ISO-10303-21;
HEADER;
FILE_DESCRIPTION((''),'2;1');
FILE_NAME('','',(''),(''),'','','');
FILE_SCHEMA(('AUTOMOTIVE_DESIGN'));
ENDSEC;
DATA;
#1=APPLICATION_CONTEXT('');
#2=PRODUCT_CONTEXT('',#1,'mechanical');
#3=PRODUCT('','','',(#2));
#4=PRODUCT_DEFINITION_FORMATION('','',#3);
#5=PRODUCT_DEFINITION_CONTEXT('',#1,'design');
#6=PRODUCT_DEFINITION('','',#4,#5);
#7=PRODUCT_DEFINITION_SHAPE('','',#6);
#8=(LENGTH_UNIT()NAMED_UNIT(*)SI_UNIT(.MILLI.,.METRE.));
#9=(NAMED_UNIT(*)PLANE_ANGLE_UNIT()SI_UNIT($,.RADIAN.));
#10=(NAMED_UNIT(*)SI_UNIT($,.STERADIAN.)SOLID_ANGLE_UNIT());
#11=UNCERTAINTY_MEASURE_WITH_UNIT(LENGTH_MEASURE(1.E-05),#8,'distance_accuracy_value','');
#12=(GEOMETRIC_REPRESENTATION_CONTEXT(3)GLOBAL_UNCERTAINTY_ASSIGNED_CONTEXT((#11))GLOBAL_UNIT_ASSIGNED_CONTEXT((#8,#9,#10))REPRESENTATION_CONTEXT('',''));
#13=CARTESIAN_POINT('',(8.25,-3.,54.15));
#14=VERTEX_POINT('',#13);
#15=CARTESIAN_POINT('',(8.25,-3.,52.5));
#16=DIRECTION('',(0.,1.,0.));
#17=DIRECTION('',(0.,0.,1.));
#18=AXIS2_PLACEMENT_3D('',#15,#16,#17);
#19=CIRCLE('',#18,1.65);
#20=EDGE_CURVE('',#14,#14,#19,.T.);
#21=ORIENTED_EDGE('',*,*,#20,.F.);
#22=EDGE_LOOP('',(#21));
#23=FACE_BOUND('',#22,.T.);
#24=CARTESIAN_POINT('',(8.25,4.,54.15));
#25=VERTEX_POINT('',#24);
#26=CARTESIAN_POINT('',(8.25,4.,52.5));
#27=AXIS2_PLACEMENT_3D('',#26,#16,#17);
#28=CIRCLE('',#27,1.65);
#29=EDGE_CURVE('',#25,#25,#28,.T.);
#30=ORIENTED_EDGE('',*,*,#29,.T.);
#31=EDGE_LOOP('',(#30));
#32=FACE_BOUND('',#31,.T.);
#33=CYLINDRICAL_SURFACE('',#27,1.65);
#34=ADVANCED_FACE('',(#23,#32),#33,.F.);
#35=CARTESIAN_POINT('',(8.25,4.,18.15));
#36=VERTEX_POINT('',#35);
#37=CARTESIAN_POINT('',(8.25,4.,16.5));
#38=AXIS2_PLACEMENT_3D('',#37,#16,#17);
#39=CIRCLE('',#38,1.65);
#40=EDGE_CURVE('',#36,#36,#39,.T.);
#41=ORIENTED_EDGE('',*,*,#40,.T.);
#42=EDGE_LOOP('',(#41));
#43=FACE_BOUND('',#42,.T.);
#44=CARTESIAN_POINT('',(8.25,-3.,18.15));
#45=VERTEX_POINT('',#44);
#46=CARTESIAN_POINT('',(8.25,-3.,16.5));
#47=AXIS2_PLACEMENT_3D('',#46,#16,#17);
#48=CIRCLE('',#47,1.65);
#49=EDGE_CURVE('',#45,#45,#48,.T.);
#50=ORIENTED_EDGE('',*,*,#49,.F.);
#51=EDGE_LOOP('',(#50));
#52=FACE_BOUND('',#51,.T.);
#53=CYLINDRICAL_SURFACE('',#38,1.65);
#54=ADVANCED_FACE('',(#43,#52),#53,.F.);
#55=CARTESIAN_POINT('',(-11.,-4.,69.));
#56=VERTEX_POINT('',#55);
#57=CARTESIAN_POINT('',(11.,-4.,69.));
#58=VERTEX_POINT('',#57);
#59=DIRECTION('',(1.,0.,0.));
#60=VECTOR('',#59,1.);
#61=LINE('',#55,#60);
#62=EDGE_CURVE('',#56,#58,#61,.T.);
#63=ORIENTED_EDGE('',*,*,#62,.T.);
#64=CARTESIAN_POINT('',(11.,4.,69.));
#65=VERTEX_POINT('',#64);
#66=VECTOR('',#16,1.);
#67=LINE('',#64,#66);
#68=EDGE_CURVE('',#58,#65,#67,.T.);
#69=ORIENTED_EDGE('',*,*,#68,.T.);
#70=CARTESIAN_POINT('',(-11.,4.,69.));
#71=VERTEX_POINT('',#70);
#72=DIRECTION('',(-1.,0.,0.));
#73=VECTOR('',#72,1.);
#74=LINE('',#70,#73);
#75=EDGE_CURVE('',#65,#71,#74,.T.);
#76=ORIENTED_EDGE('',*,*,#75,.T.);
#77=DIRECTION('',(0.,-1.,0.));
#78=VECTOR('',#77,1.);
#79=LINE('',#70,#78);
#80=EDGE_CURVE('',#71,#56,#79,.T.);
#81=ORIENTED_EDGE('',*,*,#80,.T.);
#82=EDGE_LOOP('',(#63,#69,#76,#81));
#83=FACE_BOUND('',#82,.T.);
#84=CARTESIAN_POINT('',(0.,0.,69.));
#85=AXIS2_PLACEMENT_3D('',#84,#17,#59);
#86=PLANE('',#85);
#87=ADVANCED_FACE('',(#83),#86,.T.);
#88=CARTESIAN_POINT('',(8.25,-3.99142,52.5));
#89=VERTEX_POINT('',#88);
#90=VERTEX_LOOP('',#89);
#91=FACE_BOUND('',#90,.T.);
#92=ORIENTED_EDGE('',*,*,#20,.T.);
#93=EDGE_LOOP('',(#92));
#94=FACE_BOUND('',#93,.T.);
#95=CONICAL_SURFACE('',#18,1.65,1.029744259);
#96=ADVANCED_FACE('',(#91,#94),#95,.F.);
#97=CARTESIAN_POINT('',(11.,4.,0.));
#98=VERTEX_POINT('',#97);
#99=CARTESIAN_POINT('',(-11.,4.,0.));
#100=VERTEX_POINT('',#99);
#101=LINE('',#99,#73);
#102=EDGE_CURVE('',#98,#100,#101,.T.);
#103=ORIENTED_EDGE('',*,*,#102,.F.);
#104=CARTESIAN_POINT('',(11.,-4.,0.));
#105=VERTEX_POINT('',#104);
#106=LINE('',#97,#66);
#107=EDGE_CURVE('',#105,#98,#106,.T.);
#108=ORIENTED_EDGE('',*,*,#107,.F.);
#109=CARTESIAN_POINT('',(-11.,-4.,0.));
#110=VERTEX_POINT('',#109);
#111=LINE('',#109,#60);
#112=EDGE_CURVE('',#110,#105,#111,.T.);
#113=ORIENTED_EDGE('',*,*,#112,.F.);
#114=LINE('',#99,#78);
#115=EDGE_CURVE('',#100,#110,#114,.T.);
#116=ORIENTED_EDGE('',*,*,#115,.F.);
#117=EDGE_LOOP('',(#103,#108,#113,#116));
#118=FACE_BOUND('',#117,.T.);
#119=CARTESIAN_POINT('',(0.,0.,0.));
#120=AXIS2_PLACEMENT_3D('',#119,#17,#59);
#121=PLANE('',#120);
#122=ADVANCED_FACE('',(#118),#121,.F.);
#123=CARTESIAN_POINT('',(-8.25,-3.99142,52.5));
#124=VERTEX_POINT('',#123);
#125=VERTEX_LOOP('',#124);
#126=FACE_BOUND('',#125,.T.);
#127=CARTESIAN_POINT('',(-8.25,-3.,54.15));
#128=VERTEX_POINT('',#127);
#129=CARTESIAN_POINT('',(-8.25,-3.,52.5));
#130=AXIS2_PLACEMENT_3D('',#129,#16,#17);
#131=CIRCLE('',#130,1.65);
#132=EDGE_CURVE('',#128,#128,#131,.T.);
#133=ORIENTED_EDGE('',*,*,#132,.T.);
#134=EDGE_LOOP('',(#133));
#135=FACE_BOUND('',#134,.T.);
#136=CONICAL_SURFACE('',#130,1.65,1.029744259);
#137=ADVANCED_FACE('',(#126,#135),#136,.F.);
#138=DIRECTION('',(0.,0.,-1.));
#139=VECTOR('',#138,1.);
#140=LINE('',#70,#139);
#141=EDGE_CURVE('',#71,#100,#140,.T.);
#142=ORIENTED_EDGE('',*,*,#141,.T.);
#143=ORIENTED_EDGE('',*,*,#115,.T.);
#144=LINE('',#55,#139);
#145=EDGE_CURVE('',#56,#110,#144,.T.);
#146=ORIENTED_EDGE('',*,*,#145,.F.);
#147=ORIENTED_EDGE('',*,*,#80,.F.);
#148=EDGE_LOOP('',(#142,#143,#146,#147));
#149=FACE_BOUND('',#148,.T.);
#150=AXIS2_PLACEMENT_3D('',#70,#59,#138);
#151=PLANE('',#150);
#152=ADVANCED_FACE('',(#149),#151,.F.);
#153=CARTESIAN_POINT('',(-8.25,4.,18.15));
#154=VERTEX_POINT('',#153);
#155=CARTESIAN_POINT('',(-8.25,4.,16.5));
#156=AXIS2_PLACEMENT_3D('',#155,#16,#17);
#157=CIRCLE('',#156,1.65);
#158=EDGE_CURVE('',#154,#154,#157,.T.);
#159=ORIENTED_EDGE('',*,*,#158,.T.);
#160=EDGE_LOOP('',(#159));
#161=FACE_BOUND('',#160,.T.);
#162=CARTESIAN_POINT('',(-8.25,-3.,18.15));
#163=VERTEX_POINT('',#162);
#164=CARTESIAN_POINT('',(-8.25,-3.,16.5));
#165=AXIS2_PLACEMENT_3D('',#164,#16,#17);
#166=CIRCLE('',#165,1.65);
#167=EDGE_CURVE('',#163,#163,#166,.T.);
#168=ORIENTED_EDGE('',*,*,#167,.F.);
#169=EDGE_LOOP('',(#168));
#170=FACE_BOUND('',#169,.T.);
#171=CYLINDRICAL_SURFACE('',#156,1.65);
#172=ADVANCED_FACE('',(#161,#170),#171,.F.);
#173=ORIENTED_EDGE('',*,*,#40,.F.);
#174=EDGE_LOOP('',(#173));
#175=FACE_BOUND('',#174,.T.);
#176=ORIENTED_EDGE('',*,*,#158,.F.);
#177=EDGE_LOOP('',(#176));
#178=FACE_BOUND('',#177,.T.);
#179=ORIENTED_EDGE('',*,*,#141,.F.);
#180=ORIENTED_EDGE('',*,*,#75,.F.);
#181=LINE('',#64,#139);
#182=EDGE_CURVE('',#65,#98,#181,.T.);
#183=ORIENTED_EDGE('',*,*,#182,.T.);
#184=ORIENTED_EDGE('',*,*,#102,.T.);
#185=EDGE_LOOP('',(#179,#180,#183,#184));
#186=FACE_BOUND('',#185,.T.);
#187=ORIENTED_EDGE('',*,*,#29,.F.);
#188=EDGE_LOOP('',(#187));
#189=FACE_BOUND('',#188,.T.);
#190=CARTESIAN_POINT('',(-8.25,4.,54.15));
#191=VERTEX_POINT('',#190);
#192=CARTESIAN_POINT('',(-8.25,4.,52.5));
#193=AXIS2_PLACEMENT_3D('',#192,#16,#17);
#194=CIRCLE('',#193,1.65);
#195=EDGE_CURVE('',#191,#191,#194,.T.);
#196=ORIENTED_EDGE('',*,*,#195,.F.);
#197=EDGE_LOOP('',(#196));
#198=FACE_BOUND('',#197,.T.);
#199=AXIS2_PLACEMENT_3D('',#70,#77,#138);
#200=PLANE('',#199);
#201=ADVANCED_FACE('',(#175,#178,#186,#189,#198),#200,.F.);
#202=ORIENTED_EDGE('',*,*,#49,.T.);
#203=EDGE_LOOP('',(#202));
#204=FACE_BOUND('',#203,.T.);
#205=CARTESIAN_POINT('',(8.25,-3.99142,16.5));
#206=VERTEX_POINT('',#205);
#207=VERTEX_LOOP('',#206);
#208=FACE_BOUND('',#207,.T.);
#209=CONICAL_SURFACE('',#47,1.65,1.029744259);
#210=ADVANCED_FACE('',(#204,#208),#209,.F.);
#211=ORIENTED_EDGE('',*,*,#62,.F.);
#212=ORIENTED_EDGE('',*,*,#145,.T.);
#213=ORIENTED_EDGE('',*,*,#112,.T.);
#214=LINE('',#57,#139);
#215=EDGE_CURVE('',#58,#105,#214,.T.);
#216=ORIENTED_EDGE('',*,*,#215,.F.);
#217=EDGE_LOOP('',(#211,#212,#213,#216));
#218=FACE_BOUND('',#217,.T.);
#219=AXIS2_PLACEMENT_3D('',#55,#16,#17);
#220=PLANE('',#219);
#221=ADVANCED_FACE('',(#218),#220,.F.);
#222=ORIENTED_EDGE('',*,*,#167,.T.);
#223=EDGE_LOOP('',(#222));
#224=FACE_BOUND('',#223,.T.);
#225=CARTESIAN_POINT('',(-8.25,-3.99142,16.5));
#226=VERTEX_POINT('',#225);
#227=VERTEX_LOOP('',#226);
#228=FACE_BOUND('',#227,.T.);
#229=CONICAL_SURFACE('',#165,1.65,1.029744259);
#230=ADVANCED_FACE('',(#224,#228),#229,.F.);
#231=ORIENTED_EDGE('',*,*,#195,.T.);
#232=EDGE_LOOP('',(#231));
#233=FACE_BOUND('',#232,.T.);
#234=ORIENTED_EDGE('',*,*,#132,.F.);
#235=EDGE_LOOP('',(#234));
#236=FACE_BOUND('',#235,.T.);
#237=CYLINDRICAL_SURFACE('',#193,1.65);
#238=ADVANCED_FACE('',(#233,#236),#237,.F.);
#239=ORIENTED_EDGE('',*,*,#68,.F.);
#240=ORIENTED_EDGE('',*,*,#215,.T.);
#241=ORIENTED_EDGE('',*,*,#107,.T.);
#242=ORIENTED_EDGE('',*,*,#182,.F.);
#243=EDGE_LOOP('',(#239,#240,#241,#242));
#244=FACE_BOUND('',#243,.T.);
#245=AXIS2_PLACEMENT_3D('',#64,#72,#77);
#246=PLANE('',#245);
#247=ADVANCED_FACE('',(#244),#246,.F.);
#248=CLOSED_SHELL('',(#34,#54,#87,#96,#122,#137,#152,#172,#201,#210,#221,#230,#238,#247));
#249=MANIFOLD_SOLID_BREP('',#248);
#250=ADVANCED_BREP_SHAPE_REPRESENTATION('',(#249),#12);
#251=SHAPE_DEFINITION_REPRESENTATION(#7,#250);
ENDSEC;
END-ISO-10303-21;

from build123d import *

# Parameters (mm, degrees)
SKETCH_1_W             = 22
SKETCH_1_H             = 8
EXTRUDE_1_DEPTH        = 69
HOLE_WIZARD_M4_1_D     = 3.3
HOLE_WIZARD_M4_1_DEPTH = 7
HOLE_WIZARD_M4_1_TIP   = 0.991420021


with BuildPart() as part:
    # 草图1 → 凸台-拉伸1 (new body)
    with BuildSketch(Plane.XY):
        Rectangle(SKETCH_1_W, SKETCH_1_H)
    extrude(amount=EXTRUDE_1_DEPTH)

    # M4 螺纹孔1
    with Locations(Plane(origin=(-8.25, 4, 16.5), x_dir=(0, 0, 1), z_dir=(0, 1, 0))):
        with Locations((0, 0), (0, 16.5), (36, 16.5), (36, 0)):
            Hole(HOLE_WIZARD_M4_1_D / 2, depth=HOLE_WIZARD_M4_1_DEPTH)
            with Locations((0, 0, -(HOLE_WIZARD_M4_1_DEPTH + HOLE_WIZARD_M4_1_TIP / 2))):  # 118° drill point
                Cone(0, HOLE_WIZARD_M4_1_D / 2, HOLE_WIZARD_M4_1_TIP, mode=Mode.SUBTRACT)


solid = part.part
